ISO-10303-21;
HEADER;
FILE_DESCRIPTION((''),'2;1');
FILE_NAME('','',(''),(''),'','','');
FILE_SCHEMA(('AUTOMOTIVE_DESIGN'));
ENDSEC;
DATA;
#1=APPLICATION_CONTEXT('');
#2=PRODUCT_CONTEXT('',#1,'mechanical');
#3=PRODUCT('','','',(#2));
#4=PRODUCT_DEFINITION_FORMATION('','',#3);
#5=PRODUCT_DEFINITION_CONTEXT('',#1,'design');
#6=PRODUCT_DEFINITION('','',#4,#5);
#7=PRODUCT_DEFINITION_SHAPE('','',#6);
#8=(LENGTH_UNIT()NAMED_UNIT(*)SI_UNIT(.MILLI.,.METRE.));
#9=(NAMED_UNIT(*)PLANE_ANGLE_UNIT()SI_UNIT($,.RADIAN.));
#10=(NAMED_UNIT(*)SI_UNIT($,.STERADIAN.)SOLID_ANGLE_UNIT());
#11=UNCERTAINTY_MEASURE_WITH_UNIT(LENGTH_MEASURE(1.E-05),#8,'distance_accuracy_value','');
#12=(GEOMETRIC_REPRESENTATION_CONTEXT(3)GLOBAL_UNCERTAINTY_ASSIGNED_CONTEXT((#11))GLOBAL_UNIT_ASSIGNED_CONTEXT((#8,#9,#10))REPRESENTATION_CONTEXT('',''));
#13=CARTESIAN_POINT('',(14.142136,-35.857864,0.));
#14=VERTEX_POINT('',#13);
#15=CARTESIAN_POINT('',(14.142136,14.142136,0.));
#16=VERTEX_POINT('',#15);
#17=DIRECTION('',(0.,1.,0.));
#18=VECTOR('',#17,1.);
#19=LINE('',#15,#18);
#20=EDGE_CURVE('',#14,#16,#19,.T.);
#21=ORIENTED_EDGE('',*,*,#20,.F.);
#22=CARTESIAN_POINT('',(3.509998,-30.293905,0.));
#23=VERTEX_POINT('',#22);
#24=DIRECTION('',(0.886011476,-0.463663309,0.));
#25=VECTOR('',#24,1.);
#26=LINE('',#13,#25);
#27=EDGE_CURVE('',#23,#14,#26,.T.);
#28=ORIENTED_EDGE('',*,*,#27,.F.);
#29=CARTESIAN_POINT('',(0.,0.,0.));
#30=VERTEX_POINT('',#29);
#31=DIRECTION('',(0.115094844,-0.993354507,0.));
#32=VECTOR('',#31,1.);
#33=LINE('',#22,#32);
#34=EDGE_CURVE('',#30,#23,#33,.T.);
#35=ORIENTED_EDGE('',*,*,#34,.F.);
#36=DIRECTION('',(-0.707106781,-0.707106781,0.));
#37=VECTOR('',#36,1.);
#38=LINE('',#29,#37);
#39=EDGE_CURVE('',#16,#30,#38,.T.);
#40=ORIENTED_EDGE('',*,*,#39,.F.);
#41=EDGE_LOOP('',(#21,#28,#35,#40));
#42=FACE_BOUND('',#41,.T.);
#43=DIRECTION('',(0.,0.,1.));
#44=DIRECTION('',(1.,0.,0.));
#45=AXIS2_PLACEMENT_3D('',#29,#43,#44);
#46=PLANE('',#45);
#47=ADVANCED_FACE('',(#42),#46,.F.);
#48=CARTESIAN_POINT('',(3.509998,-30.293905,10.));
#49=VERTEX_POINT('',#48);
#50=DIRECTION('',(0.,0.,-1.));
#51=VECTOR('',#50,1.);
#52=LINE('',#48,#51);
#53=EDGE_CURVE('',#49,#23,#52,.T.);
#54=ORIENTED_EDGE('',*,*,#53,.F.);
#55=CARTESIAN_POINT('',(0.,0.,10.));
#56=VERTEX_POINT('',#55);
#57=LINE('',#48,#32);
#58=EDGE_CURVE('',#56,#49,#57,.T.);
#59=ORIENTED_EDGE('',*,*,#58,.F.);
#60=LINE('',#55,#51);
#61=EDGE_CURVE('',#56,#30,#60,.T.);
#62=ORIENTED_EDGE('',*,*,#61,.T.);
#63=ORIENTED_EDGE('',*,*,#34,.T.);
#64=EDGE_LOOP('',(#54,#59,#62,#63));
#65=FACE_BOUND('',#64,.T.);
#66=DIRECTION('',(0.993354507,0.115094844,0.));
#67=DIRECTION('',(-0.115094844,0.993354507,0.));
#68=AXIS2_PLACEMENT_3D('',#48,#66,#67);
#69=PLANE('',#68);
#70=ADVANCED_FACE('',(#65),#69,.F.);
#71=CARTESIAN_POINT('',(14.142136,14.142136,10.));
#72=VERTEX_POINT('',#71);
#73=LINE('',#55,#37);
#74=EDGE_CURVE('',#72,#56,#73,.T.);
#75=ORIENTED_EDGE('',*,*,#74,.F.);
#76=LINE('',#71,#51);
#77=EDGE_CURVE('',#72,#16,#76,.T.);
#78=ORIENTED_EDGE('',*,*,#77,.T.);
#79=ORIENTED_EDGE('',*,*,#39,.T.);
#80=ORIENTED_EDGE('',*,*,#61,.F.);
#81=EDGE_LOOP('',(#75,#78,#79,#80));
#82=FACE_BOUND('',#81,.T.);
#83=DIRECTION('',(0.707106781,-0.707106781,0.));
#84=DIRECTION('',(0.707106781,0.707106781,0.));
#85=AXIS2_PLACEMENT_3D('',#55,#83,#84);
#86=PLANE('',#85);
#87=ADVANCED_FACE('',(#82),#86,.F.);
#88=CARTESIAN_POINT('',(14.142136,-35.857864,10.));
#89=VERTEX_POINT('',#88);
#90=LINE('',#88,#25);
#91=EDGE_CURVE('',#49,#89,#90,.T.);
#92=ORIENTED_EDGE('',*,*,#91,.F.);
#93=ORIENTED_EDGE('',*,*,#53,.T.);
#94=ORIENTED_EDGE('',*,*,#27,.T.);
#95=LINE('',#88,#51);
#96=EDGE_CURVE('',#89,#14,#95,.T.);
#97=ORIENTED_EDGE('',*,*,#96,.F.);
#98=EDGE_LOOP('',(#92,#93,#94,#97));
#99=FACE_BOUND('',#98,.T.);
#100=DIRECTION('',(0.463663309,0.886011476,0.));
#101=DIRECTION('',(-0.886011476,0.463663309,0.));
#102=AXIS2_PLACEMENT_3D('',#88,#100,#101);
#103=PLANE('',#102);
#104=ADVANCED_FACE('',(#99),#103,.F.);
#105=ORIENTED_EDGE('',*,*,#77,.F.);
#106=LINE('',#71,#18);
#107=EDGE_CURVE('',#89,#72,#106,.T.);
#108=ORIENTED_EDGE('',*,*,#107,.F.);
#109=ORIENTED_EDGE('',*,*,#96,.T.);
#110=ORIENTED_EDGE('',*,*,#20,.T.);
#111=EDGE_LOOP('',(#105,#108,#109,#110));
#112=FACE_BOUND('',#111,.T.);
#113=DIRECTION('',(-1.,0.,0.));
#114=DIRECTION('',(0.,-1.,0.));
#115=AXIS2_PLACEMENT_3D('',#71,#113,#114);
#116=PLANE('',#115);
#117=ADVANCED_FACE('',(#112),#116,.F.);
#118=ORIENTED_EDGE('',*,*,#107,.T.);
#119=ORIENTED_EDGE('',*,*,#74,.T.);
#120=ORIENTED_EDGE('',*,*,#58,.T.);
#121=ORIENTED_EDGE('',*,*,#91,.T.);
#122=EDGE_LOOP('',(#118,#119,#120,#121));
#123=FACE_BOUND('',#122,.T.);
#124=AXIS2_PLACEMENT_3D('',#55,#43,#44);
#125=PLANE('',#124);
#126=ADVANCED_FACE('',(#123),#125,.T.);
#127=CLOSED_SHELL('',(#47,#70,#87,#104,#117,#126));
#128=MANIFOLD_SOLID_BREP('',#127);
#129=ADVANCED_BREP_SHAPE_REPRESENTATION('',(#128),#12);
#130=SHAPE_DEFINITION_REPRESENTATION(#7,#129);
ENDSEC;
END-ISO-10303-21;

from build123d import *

# Parameters (mm, degrees)
BOSS_EXTRUDE1_DEPTH = 10


with BuildPart() as part:
    # Sketch1 → Boss-Extrude1 (new body)
    with BuildSketch(Plane.XY):
        Polygon((0, 0), (14.142135624, 14.142135624), (14.142135624, -35.857864376), (3.509997907, -30.293904673), align=None)
    extrude(amount=BOSS_EXTRUDE1_DEPTH)


solid = part.part
